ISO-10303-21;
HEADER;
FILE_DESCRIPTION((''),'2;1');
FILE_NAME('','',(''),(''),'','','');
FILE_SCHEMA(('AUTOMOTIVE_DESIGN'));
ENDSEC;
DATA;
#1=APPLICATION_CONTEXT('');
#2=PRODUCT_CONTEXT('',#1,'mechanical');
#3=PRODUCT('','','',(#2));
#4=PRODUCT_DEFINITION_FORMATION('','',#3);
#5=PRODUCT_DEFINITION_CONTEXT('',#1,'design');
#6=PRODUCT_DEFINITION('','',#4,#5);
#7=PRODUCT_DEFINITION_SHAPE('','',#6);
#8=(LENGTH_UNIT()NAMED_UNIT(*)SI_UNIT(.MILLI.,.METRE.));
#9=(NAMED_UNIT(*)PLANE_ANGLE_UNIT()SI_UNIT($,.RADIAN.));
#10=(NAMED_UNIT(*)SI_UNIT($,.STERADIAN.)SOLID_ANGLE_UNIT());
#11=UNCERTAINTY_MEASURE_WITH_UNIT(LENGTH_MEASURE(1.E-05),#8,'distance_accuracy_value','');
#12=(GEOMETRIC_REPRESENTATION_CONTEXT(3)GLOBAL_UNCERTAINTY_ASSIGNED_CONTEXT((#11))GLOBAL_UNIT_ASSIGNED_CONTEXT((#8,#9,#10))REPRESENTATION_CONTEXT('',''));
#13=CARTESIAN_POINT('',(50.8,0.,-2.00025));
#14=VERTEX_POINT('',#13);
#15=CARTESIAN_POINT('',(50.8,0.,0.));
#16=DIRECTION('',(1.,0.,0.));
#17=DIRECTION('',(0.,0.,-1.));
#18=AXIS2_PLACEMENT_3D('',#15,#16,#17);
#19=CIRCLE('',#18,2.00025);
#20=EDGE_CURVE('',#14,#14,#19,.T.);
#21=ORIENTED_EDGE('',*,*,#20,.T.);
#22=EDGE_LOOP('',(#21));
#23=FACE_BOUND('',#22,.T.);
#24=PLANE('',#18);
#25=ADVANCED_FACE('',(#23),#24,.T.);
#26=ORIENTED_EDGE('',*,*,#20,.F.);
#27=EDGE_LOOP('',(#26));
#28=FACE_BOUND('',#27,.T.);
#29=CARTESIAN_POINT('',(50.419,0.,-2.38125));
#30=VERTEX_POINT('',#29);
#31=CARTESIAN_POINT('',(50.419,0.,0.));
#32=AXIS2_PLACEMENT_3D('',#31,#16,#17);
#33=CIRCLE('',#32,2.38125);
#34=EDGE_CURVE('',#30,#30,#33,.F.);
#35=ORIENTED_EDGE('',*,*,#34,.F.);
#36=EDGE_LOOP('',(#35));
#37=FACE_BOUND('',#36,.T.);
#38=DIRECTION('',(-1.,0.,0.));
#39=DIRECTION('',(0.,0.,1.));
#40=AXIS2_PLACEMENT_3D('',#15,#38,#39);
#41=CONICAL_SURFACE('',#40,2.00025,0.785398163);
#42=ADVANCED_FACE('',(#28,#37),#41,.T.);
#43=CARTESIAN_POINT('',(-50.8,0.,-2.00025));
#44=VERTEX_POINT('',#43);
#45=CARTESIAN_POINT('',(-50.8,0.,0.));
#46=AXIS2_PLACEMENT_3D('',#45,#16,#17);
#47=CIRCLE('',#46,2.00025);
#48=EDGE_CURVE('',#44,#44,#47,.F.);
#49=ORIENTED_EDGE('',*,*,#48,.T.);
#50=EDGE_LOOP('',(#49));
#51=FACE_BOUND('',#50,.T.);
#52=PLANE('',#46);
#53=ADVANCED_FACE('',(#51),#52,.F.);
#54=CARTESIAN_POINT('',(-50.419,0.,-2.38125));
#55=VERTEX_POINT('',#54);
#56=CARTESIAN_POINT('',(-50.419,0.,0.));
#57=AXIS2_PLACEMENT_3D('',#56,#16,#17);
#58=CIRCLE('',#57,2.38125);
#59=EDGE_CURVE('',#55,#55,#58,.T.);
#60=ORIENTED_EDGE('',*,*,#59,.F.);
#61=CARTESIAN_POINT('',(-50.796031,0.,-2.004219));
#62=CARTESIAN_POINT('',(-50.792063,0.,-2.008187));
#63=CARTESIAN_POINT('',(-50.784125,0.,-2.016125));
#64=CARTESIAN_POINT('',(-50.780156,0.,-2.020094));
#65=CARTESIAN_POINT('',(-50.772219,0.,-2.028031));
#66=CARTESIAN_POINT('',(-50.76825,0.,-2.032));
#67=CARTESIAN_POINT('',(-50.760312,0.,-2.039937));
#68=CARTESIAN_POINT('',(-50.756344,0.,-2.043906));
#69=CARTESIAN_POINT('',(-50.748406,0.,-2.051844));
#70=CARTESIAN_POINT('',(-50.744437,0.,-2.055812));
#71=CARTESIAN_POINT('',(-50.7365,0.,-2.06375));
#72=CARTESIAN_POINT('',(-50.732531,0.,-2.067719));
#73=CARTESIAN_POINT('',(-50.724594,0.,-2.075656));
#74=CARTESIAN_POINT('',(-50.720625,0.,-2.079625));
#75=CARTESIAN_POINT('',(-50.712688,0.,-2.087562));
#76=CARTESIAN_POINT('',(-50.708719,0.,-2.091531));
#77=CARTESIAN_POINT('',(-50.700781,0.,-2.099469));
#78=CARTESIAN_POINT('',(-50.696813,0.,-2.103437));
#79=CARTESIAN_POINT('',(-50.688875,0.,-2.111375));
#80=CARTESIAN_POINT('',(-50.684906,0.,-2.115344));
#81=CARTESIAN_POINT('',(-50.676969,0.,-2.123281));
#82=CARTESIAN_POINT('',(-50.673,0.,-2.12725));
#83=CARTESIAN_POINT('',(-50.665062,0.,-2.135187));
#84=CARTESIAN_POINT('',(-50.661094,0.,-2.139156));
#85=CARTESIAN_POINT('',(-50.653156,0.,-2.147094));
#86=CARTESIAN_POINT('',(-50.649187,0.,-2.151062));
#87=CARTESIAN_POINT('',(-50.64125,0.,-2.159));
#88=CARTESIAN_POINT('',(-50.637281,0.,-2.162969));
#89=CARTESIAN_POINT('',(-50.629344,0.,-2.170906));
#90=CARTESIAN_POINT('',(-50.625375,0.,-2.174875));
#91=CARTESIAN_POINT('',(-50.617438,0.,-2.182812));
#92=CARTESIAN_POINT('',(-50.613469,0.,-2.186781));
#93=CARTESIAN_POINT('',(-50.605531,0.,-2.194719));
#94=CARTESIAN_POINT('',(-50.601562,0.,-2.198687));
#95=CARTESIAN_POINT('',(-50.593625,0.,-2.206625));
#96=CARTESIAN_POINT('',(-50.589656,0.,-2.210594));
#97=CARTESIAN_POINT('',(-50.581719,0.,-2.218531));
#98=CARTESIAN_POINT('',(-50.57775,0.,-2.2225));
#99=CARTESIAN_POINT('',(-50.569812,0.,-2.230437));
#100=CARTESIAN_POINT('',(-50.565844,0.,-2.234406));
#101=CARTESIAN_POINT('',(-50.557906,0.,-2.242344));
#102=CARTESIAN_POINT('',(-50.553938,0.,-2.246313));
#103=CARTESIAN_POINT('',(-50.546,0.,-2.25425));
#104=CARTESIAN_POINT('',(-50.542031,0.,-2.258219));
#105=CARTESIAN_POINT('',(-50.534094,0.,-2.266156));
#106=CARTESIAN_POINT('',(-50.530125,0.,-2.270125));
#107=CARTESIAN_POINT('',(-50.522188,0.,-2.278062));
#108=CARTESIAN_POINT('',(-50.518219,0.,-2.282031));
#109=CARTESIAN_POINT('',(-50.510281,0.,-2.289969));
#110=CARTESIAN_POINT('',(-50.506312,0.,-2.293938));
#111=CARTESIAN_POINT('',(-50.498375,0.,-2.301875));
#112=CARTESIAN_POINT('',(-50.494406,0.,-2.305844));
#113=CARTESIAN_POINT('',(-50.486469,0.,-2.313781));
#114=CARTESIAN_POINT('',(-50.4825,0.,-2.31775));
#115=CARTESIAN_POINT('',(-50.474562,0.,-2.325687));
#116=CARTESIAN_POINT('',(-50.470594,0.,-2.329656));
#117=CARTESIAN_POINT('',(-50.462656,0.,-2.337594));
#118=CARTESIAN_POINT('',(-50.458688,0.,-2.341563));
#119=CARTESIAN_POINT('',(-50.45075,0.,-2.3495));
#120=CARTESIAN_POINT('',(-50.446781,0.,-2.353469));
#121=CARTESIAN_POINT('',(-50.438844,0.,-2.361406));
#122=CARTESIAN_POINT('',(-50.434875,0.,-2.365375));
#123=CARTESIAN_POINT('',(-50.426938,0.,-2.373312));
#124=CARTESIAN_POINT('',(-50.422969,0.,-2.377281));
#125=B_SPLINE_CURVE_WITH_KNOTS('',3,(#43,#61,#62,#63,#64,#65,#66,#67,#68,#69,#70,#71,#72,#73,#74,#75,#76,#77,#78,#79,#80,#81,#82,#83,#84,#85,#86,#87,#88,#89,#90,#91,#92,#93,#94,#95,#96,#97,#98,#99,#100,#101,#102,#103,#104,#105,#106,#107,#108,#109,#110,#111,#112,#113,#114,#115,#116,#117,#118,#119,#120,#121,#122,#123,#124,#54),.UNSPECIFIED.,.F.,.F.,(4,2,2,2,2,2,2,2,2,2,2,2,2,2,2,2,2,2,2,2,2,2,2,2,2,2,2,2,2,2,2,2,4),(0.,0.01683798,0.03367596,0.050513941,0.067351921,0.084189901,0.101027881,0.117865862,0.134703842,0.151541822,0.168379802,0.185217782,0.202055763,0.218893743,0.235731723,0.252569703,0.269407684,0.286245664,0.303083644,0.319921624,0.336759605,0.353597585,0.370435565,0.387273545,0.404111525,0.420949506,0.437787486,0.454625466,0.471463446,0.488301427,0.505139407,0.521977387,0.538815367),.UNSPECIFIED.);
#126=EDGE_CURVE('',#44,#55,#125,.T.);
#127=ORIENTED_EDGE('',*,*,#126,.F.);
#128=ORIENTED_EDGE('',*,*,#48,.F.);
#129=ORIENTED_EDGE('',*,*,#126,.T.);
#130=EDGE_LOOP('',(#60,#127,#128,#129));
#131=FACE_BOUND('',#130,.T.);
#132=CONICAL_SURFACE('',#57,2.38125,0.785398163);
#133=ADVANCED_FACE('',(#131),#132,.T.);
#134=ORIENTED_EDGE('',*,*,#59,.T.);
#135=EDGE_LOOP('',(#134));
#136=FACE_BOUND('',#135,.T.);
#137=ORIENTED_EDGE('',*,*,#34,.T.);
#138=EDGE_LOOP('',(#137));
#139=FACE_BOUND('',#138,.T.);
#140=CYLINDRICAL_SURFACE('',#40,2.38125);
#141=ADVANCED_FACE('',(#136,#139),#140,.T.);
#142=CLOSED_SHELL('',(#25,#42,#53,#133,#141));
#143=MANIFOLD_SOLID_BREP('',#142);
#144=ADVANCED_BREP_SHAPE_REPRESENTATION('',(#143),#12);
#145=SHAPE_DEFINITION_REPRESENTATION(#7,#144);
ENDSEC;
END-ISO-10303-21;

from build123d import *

# Parameters (mm, degrees)
SKETCH1_R      = 2.38125
EXTRUDE1_DEPTH = 50.8
CHAMFER1_SIZE  = 0.381


with BuildPart() as part:
    # Sketch1 → Extrude1 (new, symmetric)
    with BuildSketch(Plane(origin=(0, 0, 0), x_dir=(0, 0, -1), z_dir=(1, 0, 0))):
        Circle(SKETCH1_R)
    extrude(amount=EXTRUDE1_DEPTH, both=True)

    # Chamfer1
    chamfer1_edges = [part.edges().sort_by_distance(p)[0] for p in [
        (-50.8, 0, 2.38125),
        (50.8, 0, 2.38125),
    ]]
    chamfer(chamfer1_edges, length=CHAMFER1_SIZE)


solid = part.part
